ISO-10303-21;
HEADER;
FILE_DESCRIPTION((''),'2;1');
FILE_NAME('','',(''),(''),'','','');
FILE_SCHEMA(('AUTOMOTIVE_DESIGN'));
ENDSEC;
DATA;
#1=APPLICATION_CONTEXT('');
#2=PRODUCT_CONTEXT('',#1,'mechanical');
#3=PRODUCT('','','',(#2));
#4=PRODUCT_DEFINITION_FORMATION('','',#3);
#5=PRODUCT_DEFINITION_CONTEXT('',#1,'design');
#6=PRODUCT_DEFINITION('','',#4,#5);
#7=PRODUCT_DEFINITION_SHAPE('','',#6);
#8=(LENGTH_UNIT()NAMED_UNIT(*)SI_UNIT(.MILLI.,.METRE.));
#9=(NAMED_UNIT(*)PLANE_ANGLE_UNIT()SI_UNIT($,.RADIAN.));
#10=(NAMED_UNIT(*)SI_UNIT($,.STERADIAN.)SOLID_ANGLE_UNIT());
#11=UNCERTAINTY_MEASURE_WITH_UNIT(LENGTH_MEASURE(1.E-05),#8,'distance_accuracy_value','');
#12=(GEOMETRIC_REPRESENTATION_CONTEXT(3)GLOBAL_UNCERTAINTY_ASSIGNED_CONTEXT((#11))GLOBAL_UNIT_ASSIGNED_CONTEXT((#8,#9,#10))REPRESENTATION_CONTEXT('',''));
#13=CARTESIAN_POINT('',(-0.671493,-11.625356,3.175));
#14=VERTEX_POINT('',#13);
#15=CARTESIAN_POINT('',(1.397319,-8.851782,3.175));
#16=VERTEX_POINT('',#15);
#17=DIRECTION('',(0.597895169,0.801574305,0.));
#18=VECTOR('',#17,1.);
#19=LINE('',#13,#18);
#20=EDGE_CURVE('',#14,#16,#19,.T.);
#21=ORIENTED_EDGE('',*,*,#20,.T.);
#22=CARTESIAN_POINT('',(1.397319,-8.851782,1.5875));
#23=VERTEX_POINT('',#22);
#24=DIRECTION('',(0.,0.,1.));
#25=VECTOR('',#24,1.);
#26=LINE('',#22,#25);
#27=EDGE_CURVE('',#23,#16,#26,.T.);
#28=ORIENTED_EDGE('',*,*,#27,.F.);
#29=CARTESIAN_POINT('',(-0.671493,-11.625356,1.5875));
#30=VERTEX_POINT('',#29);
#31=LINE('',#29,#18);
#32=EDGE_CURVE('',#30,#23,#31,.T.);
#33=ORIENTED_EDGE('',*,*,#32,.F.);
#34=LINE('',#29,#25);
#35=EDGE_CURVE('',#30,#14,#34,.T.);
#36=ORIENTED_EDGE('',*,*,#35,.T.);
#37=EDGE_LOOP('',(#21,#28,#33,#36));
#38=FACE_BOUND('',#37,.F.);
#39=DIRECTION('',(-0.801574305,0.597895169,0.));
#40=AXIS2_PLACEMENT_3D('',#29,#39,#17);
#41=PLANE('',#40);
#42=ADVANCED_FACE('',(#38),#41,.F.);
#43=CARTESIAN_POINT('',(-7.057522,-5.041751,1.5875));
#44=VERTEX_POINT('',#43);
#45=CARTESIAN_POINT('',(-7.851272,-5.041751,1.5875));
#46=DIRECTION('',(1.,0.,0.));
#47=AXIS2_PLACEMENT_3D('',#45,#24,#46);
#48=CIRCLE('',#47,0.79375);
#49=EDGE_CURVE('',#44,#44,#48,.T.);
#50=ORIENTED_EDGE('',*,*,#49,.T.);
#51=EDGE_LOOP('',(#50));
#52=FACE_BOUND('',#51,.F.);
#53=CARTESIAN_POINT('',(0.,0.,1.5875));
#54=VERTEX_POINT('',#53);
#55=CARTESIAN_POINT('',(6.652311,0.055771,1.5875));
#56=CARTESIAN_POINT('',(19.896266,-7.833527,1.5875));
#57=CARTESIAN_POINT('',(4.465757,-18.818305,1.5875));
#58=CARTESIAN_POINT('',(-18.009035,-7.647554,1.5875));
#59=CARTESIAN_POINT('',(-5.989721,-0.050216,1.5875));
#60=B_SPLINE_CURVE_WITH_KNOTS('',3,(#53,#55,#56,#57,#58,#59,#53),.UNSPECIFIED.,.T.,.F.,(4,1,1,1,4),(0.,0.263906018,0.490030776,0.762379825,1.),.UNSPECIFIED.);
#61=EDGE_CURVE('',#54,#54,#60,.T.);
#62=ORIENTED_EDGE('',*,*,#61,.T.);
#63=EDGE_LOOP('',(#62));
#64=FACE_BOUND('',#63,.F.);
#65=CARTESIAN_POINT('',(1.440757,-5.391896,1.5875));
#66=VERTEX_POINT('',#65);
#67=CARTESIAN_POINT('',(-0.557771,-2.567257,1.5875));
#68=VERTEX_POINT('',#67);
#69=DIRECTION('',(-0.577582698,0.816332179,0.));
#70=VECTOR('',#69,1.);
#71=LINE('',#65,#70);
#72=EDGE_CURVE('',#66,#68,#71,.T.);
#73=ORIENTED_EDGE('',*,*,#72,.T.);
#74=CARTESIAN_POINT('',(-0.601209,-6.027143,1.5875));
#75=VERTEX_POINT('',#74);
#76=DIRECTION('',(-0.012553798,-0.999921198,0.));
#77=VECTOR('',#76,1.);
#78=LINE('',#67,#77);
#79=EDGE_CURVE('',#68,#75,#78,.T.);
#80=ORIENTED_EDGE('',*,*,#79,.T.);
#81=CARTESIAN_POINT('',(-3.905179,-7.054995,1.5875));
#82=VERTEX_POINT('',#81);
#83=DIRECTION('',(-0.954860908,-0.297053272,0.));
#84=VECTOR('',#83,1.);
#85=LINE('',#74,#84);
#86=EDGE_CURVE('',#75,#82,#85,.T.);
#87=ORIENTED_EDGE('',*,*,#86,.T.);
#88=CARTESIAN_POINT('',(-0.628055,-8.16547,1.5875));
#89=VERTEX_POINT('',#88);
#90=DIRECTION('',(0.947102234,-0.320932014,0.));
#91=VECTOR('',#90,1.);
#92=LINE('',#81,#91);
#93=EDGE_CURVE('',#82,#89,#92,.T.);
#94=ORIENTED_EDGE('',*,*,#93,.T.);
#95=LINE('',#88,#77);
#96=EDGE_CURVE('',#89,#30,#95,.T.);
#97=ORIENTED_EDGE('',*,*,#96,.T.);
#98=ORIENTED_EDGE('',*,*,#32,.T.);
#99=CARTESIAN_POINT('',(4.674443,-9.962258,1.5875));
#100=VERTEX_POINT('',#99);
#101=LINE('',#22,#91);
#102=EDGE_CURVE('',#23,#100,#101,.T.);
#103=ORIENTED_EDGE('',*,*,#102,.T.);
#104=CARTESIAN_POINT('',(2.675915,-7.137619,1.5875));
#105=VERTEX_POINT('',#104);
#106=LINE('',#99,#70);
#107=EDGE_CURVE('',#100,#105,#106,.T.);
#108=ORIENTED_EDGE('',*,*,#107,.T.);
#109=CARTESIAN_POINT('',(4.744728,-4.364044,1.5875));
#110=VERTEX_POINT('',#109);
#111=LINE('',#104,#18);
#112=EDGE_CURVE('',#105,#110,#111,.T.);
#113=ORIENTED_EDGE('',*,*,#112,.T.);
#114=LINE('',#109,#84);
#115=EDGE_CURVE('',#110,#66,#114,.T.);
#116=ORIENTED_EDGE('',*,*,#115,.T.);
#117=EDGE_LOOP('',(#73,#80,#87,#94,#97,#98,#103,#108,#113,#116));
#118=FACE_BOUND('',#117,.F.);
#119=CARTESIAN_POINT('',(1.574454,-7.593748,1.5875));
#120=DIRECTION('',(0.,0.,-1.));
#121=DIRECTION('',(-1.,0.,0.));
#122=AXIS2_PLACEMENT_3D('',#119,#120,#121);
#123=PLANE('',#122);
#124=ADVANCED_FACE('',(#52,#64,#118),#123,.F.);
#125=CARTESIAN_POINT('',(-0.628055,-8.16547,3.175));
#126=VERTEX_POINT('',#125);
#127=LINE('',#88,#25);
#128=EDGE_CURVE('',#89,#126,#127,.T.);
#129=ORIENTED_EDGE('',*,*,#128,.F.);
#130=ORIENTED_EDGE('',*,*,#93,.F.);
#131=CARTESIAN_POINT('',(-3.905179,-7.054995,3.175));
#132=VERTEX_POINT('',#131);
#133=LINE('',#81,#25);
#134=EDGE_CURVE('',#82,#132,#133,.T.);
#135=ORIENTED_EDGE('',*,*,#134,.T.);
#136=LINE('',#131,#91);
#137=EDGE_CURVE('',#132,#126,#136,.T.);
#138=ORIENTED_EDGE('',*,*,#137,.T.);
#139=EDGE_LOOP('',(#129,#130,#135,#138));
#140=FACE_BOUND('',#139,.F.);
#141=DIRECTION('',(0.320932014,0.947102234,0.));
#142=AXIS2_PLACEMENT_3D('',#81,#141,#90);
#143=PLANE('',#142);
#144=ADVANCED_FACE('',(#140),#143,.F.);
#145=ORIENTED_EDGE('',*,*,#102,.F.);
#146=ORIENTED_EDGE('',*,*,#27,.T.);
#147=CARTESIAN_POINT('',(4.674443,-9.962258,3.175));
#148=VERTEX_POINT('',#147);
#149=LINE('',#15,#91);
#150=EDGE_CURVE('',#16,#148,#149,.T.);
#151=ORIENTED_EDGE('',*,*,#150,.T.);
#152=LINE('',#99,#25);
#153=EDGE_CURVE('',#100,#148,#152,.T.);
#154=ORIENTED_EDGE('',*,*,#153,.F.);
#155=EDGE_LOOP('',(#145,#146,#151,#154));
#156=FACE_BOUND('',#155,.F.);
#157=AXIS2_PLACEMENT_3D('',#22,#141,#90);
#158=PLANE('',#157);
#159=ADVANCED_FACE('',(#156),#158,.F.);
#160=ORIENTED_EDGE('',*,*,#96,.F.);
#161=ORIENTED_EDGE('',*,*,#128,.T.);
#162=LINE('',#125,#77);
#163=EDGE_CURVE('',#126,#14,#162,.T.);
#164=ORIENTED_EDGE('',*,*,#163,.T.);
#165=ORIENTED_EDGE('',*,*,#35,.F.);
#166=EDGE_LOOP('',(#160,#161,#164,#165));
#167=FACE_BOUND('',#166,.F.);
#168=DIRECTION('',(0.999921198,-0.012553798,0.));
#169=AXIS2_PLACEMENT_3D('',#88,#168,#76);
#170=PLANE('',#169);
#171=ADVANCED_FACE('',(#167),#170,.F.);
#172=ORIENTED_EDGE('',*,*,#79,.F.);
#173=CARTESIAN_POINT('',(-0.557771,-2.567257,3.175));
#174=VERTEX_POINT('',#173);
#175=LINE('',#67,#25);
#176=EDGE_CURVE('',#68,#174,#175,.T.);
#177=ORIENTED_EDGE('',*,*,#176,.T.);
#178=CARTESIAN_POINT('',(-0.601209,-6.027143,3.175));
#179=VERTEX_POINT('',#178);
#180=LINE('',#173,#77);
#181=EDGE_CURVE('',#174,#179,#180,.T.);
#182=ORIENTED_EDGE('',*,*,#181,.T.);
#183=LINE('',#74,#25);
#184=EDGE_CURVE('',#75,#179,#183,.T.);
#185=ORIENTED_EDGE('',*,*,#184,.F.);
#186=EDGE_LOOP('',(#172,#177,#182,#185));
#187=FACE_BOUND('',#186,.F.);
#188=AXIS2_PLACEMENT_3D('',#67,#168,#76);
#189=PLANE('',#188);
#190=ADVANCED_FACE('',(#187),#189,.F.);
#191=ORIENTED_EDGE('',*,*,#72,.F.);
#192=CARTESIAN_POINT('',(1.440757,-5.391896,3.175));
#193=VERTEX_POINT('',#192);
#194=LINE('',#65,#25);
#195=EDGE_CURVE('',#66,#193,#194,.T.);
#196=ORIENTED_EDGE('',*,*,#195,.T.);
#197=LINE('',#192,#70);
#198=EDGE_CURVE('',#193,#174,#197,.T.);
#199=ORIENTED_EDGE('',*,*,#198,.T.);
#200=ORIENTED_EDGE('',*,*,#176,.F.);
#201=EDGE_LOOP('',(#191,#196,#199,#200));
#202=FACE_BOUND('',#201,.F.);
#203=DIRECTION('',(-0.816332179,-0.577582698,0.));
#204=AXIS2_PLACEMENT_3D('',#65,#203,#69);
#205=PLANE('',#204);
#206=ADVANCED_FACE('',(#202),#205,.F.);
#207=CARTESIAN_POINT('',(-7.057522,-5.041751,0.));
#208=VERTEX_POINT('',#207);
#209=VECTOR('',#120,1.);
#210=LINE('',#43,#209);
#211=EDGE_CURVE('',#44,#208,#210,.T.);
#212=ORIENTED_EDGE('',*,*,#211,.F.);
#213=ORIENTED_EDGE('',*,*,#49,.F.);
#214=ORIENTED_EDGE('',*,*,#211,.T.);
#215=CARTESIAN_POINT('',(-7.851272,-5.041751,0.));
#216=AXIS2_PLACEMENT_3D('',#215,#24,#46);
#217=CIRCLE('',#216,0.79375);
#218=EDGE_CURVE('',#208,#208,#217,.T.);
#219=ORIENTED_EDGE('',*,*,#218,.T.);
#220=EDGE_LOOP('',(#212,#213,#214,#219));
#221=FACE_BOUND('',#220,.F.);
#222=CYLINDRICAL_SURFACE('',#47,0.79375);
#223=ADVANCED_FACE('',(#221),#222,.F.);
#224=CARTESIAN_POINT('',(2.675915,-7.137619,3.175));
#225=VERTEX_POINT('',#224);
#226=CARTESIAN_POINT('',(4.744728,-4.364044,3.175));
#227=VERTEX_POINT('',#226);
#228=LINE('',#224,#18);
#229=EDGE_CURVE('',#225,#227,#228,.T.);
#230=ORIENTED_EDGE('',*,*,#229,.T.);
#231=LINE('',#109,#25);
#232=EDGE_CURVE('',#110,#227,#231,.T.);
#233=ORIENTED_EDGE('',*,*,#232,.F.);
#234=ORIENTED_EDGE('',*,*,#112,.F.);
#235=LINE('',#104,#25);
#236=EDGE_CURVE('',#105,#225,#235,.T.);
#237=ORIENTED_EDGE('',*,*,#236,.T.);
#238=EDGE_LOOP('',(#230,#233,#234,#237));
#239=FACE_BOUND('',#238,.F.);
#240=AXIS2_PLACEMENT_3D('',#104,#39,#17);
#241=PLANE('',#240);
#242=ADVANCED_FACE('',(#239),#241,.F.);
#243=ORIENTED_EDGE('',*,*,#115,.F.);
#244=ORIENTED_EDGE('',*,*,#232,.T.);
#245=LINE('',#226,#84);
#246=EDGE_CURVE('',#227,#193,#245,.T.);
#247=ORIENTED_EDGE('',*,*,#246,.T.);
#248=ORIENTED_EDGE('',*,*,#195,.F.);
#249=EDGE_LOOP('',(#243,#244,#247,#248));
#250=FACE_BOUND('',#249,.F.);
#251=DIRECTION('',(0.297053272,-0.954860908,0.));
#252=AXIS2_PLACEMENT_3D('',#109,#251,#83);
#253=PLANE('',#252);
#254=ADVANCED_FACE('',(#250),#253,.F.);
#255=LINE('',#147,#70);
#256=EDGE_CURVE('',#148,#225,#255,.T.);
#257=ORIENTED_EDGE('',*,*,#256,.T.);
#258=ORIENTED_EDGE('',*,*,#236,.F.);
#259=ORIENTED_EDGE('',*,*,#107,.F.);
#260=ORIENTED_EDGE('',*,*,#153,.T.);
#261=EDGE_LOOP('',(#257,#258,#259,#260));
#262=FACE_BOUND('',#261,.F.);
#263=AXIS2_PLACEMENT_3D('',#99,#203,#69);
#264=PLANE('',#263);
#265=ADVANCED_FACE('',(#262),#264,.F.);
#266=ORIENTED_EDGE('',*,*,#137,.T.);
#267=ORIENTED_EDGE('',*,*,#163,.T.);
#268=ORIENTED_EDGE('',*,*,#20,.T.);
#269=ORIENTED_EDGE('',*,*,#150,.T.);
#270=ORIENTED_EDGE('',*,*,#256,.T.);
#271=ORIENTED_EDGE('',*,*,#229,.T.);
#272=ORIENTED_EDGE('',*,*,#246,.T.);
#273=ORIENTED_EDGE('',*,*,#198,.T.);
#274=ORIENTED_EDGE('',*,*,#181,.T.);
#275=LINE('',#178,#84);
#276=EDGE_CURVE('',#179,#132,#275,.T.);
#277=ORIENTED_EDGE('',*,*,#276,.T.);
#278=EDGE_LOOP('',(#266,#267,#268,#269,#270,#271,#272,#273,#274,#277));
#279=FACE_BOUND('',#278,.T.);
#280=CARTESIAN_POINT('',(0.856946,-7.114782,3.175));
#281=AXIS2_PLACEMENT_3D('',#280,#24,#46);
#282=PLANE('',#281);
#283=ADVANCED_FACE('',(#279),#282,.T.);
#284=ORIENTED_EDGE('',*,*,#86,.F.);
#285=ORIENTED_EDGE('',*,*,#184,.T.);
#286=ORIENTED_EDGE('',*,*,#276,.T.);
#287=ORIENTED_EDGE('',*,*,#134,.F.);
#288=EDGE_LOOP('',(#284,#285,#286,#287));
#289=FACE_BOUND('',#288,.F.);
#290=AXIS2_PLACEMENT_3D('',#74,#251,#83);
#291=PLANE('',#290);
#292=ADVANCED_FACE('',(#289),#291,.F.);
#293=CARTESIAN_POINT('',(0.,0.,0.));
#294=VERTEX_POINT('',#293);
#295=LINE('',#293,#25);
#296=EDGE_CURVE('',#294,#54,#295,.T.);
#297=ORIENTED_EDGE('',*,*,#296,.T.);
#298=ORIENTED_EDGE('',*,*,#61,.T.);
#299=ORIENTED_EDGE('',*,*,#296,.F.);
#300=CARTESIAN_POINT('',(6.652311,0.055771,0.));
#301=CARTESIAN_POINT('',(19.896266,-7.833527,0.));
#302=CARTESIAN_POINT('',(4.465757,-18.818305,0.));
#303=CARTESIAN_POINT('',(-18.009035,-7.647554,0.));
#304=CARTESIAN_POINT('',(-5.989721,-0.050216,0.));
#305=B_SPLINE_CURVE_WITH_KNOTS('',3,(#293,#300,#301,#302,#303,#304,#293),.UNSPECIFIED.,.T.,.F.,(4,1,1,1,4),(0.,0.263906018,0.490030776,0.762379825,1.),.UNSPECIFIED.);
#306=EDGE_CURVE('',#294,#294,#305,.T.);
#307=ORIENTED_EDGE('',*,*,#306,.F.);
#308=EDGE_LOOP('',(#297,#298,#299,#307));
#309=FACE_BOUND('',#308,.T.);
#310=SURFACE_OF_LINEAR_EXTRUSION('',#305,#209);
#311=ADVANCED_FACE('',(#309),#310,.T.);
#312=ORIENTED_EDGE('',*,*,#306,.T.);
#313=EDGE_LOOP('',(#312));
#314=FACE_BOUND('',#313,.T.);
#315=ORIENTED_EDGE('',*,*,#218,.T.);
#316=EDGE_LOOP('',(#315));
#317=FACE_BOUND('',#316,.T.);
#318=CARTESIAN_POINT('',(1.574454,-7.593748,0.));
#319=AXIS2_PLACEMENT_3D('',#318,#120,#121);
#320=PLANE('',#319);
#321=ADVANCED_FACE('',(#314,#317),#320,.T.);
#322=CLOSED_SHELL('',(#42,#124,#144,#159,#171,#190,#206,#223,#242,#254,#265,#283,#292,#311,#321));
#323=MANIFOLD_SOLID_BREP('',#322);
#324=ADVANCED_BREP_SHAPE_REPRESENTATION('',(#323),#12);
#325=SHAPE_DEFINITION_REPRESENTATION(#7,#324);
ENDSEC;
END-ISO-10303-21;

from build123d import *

# Parameters (mm, degrees)
F1_DEPTH = 1.5875
F3_DEPTH = 1.5875
F4_R     = 0.79375
F5_DEPTH = 25.4


with BuildPart() as f1:
    # F0 (on Top) → F1 (new body)
    with BuildSketch(Plane.XY):
        with BuildLine():
            add(Edge.make_bspline(
                [(0, 0), (6.6523111957, 0.0557712568), (19.896266254, -7.833527293), (4.4657572226, -18.8183048329), (-18.0090351962, -7.6475541783), (-5.989720748, -0.0502162698), (0, 0)],
                knots=[0, 0, 0, 0, 0.2639060181, 0.4900307759, 0.7623798247, 1, 1, 1, 1], degree=3))
        make_face()
    extrude(amount=F1_DEPTH)

    # F2 (on face) → F3 (join)
    with BuildSketch(Plane.XY.offset(1.5875)):
        Polygon((1.3973190894, -8.8517820117), (2.675915361, -7.1376187763), (1.4407572228, -5.3918958896), (-0.6012087597, -6.0271430461), (-0.6280550025, -8.1654702668), align=None)
        Polygon((1.3973190894, -8.8517820117), (4.6744432101, -9.9622577419), (2.675915361, -7.1376187763), align=None)
        Polygon((-0.6280550025, -8.1654702668), (-0.6714931359, -11.6253563889), (1.3973190894, -8.8517820117), align=None)
        Polygon((-0.6012087597, -6.0271430461), (-3.9051791232, -7.0549945366), (-0.6280550025, -8.1654702668), align=None)
        Polygon((2.675915361, -7.1376187763), (4.7447275863, -4.3640443991), (1.4407572228, -5.3918958896), align=None)
        Polygon((1.4407572228, -5.3918958896), (-0.5577706263, -2.567256924), (-0.6012087597, -6.0271430461), align=None)
    extrude(amount=F3_DEPTH)

    # F4 (on face) → F5 (cut)
    with BuildSketch(Plane.XY.offset(1.5875)):
        with Locations((-7.8512718901, -5.0417510793)):
            Circle(F4_R)
    extrude(amount=-F5_DEPTH, mode=Mode.SUBTRACT)


solid = f1.part
